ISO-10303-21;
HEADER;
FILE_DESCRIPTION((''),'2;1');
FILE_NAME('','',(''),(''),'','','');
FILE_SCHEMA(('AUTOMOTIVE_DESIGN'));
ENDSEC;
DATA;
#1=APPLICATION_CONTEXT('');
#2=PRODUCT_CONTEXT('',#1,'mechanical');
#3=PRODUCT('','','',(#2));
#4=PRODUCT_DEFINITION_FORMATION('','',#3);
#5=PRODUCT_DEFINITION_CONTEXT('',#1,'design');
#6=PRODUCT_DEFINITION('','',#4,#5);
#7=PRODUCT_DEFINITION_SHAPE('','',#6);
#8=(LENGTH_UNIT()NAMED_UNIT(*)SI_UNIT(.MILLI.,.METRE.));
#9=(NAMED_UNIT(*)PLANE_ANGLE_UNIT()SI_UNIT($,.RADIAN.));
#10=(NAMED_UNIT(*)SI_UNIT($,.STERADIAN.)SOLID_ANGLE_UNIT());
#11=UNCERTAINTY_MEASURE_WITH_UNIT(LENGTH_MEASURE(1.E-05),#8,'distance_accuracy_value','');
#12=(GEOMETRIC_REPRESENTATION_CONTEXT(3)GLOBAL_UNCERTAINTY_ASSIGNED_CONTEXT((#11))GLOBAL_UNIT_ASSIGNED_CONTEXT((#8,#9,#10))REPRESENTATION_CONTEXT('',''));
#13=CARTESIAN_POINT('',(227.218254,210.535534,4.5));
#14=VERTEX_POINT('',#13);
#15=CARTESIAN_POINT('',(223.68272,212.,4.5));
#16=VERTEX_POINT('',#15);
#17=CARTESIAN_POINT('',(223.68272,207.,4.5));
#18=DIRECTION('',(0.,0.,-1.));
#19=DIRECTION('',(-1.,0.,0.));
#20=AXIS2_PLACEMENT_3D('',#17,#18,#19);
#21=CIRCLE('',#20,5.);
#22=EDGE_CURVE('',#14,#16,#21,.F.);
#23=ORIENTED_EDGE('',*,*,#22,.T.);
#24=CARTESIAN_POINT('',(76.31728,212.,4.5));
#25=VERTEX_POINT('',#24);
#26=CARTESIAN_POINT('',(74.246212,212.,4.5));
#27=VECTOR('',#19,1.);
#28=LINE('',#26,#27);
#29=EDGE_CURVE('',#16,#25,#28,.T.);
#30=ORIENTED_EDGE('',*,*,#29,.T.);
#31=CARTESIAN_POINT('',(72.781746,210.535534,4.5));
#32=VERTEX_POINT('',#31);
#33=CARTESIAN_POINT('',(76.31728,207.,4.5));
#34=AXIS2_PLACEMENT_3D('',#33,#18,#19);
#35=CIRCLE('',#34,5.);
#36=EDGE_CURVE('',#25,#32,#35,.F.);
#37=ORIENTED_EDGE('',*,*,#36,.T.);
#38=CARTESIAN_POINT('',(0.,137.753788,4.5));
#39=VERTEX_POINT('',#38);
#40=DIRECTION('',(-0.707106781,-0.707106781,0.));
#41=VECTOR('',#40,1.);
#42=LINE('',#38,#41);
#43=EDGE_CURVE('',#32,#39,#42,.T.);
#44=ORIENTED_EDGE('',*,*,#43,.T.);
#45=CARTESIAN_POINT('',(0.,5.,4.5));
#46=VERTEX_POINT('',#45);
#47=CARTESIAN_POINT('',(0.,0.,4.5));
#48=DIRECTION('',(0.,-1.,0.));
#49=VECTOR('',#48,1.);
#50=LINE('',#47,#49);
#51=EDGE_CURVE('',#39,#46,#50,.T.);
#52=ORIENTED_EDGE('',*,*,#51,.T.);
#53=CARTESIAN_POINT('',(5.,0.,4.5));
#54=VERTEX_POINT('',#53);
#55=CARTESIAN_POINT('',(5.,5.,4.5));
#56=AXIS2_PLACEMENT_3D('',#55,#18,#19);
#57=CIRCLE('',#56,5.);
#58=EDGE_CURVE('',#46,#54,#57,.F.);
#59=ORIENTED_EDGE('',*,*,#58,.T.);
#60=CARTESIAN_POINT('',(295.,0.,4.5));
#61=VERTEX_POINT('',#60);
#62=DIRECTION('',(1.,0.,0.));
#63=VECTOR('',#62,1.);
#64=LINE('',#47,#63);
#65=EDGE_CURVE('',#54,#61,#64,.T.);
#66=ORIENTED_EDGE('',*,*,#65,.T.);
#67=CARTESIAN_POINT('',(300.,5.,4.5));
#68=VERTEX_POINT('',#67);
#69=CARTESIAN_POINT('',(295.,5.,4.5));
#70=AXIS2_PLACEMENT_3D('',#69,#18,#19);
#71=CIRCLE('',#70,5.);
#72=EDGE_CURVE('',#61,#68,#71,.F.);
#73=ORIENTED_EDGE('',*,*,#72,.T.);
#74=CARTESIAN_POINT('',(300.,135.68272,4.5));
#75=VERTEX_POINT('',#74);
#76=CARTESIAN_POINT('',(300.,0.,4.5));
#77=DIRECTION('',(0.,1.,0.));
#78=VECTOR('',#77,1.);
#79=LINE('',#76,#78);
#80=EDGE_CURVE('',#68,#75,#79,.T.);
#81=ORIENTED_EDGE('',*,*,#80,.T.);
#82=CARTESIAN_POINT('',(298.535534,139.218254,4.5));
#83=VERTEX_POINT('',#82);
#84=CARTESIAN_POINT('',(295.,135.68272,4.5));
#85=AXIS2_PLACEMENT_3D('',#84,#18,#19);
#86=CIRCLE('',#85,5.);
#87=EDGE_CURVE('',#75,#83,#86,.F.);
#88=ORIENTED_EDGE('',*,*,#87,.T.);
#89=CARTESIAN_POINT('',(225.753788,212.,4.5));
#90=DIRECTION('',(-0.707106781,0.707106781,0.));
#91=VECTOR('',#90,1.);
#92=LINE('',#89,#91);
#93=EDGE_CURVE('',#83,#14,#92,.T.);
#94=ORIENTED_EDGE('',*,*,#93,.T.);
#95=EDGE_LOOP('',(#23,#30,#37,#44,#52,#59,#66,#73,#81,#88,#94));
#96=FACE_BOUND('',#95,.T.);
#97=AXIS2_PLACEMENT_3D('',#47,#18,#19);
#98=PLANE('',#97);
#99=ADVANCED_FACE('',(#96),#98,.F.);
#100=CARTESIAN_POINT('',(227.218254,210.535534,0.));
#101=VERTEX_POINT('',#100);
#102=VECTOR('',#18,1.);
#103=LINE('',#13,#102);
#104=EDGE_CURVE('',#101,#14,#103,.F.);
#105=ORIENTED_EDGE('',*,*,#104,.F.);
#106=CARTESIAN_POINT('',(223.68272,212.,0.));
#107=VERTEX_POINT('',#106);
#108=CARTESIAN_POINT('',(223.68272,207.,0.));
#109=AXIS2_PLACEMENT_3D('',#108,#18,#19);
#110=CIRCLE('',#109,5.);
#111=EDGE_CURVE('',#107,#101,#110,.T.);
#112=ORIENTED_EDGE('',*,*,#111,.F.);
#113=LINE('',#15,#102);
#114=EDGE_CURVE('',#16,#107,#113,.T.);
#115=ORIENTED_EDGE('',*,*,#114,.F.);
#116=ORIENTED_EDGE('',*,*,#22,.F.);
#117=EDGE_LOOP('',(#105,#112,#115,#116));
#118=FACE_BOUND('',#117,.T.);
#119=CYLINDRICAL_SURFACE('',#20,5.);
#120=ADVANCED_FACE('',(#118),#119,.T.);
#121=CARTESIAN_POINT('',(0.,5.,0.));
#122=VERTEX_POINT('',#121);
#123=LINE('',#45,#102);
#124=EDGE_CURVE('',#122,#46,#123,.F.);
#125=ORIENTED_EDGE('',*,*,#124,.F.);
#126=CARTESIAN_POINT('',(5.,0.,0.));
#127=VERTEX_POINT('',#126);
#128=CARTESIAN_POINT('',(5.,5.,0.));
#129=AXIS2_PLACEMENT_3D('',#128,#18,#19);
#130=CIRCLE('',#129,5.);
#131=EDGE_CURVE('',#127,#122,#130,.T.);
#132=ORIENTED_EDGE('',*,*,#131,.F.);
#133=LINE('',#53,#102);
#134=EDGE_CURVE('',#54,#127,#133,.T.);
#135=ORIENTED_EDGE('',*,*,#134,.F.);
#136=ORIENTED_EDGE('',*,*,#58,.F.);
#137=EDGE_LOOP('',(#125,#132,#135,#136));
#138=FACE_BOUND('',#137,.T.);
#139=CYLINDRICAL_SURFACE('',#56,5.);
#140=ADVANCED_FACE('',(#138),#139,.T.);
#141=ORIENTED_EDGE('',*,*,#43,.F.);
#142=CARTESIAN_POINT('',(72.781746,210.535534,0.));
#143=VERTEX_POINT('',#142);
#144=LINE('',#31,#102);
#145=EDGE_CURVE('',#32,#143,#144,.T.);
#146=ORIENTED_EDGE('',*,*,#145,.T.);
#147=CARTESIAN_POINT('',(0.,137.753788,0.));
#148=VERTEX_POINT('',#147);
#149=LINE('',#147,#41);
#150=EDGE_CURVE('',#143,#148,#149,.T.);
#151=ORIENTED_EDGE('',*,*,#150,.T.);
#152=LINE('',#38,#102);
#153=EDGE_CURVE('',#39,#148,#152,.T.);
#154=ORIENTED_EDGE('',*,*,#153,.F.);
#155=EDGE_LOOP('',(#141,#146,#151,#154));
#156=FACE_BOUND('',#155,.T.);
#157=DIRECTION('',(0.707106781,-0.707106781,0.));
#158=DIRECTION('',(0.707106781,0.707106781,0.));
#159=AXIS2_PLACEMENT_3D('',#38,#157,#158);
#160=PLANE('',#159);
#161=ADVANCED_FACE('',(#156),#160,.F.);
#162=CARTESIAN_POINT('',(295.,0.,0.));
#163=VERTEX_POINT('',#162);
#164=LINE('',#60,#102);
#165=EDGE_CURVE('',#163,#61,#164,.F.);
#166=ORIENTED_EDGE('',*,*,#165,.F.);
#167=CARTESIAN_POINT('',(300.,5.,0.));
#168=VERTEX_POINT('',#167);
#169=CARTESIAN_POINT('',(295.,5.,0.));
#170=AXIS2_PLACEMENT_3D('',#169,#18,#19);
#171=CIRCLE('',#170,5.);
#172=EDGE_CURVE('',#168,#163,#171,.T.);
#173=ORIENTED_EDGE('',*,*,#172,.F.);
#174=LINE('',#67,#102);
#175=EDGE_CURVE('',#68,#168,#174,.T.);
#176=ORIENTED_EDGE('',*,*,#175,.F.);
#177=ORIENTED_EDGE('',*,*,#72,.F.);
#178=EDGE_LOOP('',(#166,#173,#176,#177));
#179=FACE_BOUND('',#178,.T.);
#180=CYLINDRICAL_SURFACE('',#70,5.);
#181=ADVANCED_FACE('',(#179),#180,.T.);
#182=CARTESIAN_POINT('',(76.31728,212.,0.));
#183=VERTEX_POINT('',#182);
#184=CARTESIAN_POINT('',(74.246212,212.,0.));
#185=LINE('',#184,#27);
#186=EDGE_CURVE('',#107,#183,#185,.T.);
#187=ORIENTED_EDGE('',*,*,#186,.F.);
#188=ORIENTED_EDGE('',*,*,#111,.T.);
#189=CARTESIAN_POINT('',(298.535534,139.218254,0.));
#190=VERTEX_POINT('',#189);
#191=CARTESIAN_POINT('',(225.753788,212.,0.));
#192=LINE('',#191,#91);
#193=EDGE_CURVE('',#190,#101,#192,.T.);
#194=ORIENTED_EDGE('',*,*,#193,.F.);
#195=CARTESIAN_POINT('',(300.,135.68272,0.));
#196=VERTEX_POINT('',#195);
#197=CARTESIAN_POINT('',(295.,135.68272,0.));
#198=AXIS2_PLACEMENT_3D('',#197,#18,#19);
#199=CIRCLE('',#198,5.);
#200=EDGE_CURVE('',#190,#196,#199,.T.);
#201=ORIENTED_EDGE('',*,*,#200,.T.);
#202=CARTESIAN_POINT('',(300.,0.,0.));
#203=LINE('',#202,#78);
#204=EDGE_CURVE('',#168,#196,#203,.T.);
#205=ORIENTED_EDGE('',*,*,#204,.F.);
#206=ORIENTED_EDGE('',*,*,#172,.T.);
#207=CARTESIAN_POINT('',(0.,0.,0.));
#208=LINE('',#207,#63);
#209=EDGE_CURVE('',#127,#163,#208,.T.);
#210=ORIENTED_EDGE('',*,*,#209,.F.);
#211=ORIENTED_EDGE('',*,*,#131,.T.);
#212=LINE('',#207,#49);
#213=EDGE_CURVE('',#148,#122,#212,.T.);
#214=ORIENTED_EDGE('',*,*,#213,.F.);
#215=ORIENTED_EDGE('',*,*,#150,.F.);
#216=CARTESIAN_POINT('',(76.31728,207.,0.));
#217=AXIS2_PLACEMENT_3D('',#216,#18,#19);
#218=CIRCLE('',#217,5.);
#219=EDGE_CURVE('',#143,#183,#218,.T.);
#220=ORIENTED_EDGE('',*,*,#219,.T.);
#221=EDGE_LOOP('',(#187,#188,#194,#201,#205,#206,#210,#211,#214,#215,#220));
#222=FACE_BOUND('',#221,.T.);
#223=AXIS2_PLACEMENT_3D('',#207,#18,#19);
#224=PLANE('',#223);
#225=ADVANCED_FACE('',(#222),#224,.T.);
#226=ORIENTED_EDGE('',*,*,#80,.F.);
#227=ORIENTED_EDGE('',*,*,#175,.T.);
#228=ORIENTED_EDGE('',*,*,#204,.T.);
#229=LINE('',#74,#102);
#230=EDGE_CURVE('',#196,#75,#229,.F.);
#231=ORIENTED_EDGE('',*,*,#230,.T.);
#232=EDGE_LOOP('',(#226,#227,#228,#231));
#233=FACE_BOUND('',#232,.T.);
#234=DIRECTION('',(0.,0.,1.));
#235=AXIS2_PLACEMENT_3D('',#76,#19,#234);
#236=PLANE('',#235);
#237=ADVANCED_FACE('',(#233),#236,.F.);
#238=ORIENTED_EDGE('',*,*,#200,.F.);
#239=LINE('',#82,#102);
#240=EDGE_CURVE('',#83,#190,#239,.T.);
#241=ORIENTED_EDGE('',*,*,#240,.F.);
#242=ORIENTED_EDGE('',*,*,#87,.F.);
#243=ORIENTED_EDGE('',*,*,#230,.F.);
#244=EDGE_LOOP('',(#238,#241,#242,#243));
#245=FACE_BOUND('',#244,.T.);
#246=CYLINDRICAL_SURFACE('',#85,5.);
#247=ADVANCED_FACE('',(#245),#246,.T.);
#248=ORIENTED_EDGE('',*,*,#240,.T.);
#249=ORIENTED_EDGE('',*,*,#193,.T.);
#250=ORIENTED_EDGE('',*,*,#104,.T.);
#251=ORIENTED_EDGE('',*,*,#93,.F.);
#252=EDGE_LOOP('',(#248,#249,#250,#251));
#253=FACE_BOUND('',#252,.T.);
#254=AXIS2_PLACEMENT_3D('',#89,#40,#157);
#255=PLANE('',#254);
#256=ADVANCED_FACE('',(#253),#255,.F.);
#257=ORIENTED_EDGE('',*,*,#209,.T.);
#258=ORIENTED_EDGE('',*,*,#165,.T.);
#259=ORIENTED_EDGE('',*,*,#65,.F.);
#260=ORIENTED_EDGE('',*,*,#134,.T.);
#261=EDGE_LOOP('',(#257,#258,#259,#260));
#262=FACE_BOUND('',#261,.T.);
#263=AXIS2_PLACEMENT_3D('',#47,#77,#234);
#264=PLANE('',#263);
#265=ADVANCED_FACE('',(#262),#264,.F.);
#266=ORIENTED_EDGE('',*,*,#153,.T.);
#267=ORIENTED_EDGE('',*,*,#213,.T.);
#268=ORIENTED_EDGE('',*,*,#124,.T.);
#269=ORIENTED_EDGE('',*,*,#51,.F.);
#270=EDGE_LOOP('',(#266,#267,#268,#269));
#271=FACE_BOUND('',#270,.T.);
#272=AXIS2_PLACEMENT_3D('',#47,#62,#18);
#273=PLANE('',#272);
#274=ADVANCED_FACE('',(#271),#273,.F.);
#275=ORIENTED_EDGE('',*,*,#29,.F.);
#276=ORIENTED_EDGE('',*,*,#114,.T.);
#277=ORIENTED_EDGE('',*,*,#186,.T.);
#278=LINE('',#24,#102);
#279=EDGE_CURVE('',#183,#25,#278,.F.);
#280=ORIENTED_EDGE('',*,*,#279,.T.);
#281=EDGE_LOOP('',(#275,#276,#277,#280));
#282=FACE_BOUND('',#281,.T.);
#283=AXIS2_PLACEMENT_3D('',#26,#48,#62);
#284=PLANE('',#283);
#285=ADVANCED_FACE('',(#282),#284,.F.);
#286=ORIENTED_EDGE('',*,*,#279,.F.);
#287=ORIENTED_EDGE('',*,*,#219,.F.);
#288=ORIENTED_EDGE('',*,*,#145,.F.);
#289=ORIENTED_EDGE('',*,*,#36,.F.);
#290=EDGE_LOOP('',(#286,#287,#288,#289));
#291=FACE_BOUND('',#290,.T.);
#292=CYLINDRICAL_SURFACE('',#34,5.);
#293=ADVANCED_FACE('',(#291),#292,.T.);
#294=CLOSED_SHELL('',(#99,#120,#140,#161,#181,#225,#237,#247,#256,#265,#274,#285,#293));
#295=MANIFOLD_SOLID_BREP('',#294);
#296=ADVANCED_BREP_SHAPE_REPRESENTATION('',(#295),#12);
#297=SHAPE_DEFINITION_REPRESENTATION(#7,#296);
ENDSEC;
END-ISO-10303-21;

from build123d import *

# Parameters (mm, degrees)
BOSS_EXTRUDE1_DEPTH = 4.5
FILLET1_R           = 5


with BuildPart() as part:
    # Sketch1 → Boss-Extrude1 (new body)
    with BuildSketch(Plane.XY):
        Polygon((0, 137.753787975), (74.246212025, 212), (225.753787975, 212), (300, 137.753787975), (300, 0), (0, 0), align=None)
    extrude(amount=BOSS_EXTRUDE1_DEPTH)

    # Fillet1
    fillet1_edges = [part.edges().sort_by_distance(p)[0] for p in [
        (74.246212025, 212, 2.25),
        (225.753787975, 212, 2.25),
        (300, 137.753787975, 2.25),
        (300, 0, 2.25),
        (0, 0, 2.25),
    ]]
    fillet(fillet1_edges, radius=FILLET1_R)


solid = part.part
